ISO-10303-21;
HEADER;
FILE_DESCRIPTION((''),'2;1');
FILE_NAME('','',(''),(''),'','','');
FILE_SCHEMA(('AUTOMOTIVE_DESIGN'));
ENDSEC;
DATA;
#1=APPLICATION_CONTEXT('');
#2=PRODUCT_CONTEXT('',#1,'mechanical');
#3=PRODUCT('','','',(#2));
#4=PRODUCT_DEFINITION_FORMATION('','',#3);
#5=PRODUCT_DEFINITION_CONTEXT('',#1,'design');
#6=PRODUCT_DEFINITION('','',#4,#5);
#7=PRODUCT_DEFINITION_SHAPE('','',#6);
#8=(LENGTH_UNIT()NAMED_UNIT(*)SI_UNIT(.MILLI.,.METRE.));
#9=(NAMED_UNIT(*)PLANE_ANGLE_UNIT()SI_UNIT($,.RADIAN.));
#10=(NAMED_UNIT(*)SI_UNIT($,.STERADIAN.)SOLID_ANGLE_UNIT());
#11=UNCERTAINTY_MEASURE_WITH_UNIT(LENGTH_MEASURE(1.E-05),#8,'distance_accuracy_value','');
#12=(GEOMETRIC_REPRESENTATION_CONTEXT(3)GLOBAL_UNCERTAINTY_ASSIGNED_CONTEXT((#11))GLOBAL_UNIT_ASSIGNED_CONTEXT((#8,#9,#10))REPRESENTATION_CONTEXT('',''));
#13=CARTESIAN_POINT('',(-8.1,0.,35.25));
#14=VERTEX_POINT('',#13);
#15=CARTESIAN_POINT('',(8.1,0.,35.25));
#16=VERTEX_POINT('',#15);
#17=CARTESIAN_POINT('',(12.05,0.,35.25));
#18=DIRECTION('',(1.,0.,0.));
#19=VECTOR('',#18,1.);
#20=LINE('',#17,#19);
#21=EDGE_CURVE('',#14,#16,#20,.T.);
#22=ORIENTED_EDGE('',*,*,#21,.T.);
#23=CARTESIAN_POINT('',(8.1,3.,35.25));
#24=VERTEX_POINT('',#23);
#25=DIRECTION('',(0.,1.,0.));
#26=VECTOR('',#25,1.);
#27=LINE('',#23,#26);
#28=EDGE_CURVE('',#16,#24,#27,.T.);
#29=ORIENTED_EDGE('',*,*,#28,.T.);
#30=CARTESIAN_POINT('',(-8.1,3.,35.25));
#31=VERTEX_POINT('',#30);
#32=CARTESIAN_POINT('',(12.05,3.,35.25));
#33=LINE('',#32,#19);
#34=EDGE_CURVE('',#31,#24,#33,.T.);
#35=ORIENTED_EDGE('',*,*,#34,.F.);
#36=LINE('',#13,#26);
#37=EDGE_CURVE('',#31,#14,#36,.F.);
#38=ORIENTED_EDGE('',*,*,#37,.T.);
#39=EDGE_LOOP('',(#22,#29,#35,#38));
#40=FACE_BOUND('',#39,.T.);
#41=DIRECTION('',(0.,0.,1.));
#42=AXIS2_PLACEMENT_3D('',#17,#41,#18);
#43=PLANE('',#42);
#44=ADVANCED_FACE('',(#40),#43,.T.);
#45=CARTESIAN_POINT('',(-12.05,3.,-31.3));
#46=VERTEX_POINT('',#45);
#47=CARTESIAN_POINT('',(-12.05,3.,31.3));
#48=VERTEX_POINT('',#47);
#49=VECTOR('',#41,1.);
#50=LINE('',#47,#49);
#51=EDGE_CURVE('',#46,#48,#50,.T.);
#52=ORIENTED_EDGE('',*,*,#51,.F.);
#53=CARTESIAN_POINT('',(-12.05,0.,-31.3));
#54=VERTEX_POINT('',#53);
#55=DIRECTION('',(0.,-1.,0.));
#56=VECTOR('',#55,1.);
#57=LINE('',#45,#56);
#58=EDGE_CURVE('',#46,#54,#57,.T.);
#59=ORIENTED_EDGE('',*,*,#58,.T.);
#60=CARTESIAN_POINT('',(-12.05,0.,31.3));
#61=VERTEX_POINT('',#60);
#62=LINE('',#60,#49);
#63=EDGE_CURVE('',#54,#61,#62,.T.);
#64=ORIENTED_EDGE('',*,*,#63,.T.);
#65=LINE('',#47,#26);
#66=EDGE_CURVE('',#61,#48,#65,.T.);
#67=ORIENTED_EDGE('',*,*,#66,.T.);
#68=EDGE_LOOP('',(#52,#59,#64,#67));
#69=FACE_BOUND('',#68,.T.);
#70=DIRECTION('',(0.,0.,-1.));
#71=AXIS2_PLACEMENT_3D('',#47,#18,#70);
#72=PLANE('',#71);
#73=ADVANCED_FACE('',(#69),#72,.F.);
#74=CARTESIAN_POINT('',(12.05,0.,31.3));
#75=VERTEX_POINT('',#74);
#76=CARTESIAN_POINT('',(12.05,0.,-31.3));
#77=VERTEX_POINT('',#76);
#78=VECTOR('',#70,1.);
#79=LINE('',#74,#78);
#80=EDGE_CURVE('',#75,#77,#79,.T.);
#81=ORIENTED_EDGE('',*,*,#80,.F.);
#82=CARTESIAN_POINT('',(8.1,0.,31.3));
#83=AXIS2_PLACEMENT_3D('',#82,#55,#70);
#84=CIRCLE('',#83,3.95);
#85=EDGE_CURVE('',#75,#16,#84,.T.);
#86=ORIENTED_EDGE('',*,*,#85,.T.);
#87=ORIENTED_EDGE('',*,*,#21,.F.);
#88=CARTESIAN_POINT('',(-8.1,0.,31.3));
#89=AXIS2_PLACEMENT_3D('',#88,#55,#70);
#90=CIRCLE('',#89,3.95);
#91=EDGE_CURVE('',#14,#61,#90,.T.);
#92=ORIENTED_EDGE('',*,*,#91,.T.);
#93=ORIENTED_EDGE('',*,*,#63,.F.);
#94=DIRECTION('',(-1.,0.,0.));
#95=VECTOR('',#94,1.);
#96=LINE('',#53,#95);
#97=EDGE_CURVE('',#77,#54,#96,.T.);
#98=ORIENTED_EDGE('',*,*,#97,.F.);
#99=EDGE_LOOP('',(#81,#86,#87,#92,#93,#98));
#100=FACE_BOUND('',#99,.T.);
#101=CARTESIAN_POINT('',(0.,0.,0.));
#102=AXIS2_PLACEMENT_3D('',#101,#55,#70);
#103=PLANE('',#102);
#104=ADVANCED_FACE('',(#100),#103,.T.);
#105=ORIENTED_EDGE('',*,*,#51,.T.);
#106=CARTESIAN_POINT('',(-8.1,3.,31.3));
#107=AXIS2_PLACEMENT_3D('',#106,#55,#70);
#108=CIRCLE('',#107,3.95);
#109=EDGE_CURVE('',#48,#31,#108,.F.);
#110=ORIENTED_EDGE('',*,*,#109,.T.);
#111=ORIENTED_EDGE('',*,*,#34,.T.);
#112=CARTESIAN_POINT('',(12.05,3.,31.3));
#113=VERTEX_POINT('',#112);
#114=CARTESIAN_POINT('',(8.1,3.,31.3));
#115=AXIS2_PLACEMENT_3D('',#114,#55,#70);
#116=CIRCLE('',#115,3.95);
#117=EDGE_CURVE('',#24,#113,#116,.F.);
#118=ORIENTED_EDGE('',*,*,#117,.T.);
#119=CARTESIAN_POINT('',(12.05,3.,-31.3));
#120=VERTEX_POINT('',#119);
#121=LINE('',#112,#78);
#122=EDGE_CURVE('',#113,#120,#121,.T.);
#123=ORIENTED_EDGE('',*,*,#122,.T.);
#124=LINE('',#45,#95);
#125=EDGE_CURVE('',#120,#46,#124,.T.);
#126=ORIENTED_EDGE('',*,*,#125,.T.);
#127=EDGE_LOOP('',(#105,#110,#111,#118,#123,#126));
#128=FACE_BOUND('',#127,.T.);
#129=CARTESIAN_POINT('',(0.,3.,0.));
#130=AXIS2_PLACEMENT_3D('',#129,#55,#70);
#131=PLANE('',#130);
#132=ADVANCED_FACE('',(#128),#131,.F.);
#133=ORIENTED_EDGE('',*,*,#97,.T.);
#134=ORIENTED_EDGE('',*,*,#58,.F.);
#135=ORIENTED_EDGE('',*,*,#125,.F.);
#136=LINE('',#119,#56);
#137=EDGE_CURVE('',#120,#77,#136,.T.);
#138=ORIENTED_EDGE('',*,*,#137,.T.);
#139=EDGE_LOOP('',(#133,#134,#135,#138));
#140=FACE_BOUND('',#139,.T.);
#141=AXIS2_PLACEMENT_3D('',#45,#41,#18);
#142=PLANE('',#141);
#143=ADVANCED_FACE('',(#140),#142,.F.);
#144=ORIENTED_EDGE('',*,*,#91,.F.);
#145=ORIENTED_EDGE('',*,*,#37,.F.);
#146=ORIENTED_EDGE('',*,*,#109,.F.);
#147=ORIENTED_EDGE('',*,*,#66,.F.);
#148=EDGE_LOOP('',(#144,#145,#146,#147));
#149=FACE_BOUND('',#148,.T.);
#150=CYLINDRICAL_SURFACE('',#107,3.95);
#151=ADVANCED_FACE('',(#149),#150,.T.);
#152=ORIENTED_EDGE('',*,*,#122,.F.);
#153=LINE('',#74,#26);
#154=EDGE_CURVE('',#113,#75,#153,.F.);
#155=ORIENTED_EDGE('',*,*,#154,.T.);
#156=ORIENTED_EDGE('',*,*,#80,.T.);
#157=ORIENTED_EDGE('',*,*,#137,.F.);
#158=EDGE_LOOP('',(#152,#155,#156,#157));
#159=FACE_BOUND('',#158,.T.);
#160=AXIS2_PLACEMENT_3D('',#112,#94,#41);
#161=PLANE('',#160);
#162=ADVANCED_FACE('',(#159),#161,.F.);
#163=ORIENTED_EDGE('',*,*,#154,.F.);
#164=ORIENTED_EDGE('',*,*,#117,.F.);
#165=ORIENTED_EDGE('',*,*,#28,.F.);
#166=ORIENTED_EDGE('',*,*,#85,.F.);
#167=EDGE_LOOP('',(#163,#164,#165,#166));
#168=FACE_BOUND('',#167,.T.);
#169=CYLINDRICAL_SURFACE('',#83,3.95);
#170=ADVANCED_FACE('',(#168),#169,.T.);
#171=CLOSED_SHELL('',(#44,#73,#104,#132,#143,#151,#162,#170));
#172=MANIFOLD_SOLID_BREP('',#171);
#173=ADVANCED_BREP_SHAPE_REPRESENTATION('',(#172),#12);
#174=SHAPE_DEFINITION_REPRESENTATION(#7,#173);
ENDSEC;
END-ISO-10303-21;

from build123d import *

# Parameters (mm, degrees)
SKETCH2_W           = 24.1
SKETCH2_H           = 62.6
BOSS_EXTRUDE3_DEPTH = 3
SKETCH3_W           = 24.1
SKETCH3_H           = 3.95
BOSS_EXTRUDE4_DEPTH = 3
FILLET1_R           = 3.95
FILLET2_R           = 3.95


with BuildPart() as part:
    # Sketch2 → Boss-Extrude3 (new body)
    with BuildSketch(Plane(origin=(0, 0, 0), x_dir=(1, 0, 0), z_dir=(0, 1, 0))):
        Rectangle(SKETCH2_W, SKETCH2_H)
    extrude(amount=BOSS_EXTRUDE3_DEPTH)

    # Sketch3 → Boss-Extrude4 (add)
    with BuildSketch(Plane(origin=(0, 3, 0), x_dir=(1, 0, 0), z_dir=(0, 1, 0))):
        with Locations((0, -33.275)):
            Rectangle(SKETCH3_W, SKETCH3_H)
    extrude(amount=-BOSS_EXTRUDE4_DEPTH)

    # Fillet1
    fillet1_edges = [part.edges().sort_by_distance(p)[0] for p in [
        (12.05, 1.5, 35.25),
    ]]
    fillet(fillet1_edges, radius=FILLET1_R)

    # Fillet2
    fillet2_edges = [part.edges().sort_by_distance(p)[0] for p in [
        (-12.05, 1.5, 35.25),
    ]]
    fillet(fillet2_edges, radius=FILLET2_R)


solid = part.part
